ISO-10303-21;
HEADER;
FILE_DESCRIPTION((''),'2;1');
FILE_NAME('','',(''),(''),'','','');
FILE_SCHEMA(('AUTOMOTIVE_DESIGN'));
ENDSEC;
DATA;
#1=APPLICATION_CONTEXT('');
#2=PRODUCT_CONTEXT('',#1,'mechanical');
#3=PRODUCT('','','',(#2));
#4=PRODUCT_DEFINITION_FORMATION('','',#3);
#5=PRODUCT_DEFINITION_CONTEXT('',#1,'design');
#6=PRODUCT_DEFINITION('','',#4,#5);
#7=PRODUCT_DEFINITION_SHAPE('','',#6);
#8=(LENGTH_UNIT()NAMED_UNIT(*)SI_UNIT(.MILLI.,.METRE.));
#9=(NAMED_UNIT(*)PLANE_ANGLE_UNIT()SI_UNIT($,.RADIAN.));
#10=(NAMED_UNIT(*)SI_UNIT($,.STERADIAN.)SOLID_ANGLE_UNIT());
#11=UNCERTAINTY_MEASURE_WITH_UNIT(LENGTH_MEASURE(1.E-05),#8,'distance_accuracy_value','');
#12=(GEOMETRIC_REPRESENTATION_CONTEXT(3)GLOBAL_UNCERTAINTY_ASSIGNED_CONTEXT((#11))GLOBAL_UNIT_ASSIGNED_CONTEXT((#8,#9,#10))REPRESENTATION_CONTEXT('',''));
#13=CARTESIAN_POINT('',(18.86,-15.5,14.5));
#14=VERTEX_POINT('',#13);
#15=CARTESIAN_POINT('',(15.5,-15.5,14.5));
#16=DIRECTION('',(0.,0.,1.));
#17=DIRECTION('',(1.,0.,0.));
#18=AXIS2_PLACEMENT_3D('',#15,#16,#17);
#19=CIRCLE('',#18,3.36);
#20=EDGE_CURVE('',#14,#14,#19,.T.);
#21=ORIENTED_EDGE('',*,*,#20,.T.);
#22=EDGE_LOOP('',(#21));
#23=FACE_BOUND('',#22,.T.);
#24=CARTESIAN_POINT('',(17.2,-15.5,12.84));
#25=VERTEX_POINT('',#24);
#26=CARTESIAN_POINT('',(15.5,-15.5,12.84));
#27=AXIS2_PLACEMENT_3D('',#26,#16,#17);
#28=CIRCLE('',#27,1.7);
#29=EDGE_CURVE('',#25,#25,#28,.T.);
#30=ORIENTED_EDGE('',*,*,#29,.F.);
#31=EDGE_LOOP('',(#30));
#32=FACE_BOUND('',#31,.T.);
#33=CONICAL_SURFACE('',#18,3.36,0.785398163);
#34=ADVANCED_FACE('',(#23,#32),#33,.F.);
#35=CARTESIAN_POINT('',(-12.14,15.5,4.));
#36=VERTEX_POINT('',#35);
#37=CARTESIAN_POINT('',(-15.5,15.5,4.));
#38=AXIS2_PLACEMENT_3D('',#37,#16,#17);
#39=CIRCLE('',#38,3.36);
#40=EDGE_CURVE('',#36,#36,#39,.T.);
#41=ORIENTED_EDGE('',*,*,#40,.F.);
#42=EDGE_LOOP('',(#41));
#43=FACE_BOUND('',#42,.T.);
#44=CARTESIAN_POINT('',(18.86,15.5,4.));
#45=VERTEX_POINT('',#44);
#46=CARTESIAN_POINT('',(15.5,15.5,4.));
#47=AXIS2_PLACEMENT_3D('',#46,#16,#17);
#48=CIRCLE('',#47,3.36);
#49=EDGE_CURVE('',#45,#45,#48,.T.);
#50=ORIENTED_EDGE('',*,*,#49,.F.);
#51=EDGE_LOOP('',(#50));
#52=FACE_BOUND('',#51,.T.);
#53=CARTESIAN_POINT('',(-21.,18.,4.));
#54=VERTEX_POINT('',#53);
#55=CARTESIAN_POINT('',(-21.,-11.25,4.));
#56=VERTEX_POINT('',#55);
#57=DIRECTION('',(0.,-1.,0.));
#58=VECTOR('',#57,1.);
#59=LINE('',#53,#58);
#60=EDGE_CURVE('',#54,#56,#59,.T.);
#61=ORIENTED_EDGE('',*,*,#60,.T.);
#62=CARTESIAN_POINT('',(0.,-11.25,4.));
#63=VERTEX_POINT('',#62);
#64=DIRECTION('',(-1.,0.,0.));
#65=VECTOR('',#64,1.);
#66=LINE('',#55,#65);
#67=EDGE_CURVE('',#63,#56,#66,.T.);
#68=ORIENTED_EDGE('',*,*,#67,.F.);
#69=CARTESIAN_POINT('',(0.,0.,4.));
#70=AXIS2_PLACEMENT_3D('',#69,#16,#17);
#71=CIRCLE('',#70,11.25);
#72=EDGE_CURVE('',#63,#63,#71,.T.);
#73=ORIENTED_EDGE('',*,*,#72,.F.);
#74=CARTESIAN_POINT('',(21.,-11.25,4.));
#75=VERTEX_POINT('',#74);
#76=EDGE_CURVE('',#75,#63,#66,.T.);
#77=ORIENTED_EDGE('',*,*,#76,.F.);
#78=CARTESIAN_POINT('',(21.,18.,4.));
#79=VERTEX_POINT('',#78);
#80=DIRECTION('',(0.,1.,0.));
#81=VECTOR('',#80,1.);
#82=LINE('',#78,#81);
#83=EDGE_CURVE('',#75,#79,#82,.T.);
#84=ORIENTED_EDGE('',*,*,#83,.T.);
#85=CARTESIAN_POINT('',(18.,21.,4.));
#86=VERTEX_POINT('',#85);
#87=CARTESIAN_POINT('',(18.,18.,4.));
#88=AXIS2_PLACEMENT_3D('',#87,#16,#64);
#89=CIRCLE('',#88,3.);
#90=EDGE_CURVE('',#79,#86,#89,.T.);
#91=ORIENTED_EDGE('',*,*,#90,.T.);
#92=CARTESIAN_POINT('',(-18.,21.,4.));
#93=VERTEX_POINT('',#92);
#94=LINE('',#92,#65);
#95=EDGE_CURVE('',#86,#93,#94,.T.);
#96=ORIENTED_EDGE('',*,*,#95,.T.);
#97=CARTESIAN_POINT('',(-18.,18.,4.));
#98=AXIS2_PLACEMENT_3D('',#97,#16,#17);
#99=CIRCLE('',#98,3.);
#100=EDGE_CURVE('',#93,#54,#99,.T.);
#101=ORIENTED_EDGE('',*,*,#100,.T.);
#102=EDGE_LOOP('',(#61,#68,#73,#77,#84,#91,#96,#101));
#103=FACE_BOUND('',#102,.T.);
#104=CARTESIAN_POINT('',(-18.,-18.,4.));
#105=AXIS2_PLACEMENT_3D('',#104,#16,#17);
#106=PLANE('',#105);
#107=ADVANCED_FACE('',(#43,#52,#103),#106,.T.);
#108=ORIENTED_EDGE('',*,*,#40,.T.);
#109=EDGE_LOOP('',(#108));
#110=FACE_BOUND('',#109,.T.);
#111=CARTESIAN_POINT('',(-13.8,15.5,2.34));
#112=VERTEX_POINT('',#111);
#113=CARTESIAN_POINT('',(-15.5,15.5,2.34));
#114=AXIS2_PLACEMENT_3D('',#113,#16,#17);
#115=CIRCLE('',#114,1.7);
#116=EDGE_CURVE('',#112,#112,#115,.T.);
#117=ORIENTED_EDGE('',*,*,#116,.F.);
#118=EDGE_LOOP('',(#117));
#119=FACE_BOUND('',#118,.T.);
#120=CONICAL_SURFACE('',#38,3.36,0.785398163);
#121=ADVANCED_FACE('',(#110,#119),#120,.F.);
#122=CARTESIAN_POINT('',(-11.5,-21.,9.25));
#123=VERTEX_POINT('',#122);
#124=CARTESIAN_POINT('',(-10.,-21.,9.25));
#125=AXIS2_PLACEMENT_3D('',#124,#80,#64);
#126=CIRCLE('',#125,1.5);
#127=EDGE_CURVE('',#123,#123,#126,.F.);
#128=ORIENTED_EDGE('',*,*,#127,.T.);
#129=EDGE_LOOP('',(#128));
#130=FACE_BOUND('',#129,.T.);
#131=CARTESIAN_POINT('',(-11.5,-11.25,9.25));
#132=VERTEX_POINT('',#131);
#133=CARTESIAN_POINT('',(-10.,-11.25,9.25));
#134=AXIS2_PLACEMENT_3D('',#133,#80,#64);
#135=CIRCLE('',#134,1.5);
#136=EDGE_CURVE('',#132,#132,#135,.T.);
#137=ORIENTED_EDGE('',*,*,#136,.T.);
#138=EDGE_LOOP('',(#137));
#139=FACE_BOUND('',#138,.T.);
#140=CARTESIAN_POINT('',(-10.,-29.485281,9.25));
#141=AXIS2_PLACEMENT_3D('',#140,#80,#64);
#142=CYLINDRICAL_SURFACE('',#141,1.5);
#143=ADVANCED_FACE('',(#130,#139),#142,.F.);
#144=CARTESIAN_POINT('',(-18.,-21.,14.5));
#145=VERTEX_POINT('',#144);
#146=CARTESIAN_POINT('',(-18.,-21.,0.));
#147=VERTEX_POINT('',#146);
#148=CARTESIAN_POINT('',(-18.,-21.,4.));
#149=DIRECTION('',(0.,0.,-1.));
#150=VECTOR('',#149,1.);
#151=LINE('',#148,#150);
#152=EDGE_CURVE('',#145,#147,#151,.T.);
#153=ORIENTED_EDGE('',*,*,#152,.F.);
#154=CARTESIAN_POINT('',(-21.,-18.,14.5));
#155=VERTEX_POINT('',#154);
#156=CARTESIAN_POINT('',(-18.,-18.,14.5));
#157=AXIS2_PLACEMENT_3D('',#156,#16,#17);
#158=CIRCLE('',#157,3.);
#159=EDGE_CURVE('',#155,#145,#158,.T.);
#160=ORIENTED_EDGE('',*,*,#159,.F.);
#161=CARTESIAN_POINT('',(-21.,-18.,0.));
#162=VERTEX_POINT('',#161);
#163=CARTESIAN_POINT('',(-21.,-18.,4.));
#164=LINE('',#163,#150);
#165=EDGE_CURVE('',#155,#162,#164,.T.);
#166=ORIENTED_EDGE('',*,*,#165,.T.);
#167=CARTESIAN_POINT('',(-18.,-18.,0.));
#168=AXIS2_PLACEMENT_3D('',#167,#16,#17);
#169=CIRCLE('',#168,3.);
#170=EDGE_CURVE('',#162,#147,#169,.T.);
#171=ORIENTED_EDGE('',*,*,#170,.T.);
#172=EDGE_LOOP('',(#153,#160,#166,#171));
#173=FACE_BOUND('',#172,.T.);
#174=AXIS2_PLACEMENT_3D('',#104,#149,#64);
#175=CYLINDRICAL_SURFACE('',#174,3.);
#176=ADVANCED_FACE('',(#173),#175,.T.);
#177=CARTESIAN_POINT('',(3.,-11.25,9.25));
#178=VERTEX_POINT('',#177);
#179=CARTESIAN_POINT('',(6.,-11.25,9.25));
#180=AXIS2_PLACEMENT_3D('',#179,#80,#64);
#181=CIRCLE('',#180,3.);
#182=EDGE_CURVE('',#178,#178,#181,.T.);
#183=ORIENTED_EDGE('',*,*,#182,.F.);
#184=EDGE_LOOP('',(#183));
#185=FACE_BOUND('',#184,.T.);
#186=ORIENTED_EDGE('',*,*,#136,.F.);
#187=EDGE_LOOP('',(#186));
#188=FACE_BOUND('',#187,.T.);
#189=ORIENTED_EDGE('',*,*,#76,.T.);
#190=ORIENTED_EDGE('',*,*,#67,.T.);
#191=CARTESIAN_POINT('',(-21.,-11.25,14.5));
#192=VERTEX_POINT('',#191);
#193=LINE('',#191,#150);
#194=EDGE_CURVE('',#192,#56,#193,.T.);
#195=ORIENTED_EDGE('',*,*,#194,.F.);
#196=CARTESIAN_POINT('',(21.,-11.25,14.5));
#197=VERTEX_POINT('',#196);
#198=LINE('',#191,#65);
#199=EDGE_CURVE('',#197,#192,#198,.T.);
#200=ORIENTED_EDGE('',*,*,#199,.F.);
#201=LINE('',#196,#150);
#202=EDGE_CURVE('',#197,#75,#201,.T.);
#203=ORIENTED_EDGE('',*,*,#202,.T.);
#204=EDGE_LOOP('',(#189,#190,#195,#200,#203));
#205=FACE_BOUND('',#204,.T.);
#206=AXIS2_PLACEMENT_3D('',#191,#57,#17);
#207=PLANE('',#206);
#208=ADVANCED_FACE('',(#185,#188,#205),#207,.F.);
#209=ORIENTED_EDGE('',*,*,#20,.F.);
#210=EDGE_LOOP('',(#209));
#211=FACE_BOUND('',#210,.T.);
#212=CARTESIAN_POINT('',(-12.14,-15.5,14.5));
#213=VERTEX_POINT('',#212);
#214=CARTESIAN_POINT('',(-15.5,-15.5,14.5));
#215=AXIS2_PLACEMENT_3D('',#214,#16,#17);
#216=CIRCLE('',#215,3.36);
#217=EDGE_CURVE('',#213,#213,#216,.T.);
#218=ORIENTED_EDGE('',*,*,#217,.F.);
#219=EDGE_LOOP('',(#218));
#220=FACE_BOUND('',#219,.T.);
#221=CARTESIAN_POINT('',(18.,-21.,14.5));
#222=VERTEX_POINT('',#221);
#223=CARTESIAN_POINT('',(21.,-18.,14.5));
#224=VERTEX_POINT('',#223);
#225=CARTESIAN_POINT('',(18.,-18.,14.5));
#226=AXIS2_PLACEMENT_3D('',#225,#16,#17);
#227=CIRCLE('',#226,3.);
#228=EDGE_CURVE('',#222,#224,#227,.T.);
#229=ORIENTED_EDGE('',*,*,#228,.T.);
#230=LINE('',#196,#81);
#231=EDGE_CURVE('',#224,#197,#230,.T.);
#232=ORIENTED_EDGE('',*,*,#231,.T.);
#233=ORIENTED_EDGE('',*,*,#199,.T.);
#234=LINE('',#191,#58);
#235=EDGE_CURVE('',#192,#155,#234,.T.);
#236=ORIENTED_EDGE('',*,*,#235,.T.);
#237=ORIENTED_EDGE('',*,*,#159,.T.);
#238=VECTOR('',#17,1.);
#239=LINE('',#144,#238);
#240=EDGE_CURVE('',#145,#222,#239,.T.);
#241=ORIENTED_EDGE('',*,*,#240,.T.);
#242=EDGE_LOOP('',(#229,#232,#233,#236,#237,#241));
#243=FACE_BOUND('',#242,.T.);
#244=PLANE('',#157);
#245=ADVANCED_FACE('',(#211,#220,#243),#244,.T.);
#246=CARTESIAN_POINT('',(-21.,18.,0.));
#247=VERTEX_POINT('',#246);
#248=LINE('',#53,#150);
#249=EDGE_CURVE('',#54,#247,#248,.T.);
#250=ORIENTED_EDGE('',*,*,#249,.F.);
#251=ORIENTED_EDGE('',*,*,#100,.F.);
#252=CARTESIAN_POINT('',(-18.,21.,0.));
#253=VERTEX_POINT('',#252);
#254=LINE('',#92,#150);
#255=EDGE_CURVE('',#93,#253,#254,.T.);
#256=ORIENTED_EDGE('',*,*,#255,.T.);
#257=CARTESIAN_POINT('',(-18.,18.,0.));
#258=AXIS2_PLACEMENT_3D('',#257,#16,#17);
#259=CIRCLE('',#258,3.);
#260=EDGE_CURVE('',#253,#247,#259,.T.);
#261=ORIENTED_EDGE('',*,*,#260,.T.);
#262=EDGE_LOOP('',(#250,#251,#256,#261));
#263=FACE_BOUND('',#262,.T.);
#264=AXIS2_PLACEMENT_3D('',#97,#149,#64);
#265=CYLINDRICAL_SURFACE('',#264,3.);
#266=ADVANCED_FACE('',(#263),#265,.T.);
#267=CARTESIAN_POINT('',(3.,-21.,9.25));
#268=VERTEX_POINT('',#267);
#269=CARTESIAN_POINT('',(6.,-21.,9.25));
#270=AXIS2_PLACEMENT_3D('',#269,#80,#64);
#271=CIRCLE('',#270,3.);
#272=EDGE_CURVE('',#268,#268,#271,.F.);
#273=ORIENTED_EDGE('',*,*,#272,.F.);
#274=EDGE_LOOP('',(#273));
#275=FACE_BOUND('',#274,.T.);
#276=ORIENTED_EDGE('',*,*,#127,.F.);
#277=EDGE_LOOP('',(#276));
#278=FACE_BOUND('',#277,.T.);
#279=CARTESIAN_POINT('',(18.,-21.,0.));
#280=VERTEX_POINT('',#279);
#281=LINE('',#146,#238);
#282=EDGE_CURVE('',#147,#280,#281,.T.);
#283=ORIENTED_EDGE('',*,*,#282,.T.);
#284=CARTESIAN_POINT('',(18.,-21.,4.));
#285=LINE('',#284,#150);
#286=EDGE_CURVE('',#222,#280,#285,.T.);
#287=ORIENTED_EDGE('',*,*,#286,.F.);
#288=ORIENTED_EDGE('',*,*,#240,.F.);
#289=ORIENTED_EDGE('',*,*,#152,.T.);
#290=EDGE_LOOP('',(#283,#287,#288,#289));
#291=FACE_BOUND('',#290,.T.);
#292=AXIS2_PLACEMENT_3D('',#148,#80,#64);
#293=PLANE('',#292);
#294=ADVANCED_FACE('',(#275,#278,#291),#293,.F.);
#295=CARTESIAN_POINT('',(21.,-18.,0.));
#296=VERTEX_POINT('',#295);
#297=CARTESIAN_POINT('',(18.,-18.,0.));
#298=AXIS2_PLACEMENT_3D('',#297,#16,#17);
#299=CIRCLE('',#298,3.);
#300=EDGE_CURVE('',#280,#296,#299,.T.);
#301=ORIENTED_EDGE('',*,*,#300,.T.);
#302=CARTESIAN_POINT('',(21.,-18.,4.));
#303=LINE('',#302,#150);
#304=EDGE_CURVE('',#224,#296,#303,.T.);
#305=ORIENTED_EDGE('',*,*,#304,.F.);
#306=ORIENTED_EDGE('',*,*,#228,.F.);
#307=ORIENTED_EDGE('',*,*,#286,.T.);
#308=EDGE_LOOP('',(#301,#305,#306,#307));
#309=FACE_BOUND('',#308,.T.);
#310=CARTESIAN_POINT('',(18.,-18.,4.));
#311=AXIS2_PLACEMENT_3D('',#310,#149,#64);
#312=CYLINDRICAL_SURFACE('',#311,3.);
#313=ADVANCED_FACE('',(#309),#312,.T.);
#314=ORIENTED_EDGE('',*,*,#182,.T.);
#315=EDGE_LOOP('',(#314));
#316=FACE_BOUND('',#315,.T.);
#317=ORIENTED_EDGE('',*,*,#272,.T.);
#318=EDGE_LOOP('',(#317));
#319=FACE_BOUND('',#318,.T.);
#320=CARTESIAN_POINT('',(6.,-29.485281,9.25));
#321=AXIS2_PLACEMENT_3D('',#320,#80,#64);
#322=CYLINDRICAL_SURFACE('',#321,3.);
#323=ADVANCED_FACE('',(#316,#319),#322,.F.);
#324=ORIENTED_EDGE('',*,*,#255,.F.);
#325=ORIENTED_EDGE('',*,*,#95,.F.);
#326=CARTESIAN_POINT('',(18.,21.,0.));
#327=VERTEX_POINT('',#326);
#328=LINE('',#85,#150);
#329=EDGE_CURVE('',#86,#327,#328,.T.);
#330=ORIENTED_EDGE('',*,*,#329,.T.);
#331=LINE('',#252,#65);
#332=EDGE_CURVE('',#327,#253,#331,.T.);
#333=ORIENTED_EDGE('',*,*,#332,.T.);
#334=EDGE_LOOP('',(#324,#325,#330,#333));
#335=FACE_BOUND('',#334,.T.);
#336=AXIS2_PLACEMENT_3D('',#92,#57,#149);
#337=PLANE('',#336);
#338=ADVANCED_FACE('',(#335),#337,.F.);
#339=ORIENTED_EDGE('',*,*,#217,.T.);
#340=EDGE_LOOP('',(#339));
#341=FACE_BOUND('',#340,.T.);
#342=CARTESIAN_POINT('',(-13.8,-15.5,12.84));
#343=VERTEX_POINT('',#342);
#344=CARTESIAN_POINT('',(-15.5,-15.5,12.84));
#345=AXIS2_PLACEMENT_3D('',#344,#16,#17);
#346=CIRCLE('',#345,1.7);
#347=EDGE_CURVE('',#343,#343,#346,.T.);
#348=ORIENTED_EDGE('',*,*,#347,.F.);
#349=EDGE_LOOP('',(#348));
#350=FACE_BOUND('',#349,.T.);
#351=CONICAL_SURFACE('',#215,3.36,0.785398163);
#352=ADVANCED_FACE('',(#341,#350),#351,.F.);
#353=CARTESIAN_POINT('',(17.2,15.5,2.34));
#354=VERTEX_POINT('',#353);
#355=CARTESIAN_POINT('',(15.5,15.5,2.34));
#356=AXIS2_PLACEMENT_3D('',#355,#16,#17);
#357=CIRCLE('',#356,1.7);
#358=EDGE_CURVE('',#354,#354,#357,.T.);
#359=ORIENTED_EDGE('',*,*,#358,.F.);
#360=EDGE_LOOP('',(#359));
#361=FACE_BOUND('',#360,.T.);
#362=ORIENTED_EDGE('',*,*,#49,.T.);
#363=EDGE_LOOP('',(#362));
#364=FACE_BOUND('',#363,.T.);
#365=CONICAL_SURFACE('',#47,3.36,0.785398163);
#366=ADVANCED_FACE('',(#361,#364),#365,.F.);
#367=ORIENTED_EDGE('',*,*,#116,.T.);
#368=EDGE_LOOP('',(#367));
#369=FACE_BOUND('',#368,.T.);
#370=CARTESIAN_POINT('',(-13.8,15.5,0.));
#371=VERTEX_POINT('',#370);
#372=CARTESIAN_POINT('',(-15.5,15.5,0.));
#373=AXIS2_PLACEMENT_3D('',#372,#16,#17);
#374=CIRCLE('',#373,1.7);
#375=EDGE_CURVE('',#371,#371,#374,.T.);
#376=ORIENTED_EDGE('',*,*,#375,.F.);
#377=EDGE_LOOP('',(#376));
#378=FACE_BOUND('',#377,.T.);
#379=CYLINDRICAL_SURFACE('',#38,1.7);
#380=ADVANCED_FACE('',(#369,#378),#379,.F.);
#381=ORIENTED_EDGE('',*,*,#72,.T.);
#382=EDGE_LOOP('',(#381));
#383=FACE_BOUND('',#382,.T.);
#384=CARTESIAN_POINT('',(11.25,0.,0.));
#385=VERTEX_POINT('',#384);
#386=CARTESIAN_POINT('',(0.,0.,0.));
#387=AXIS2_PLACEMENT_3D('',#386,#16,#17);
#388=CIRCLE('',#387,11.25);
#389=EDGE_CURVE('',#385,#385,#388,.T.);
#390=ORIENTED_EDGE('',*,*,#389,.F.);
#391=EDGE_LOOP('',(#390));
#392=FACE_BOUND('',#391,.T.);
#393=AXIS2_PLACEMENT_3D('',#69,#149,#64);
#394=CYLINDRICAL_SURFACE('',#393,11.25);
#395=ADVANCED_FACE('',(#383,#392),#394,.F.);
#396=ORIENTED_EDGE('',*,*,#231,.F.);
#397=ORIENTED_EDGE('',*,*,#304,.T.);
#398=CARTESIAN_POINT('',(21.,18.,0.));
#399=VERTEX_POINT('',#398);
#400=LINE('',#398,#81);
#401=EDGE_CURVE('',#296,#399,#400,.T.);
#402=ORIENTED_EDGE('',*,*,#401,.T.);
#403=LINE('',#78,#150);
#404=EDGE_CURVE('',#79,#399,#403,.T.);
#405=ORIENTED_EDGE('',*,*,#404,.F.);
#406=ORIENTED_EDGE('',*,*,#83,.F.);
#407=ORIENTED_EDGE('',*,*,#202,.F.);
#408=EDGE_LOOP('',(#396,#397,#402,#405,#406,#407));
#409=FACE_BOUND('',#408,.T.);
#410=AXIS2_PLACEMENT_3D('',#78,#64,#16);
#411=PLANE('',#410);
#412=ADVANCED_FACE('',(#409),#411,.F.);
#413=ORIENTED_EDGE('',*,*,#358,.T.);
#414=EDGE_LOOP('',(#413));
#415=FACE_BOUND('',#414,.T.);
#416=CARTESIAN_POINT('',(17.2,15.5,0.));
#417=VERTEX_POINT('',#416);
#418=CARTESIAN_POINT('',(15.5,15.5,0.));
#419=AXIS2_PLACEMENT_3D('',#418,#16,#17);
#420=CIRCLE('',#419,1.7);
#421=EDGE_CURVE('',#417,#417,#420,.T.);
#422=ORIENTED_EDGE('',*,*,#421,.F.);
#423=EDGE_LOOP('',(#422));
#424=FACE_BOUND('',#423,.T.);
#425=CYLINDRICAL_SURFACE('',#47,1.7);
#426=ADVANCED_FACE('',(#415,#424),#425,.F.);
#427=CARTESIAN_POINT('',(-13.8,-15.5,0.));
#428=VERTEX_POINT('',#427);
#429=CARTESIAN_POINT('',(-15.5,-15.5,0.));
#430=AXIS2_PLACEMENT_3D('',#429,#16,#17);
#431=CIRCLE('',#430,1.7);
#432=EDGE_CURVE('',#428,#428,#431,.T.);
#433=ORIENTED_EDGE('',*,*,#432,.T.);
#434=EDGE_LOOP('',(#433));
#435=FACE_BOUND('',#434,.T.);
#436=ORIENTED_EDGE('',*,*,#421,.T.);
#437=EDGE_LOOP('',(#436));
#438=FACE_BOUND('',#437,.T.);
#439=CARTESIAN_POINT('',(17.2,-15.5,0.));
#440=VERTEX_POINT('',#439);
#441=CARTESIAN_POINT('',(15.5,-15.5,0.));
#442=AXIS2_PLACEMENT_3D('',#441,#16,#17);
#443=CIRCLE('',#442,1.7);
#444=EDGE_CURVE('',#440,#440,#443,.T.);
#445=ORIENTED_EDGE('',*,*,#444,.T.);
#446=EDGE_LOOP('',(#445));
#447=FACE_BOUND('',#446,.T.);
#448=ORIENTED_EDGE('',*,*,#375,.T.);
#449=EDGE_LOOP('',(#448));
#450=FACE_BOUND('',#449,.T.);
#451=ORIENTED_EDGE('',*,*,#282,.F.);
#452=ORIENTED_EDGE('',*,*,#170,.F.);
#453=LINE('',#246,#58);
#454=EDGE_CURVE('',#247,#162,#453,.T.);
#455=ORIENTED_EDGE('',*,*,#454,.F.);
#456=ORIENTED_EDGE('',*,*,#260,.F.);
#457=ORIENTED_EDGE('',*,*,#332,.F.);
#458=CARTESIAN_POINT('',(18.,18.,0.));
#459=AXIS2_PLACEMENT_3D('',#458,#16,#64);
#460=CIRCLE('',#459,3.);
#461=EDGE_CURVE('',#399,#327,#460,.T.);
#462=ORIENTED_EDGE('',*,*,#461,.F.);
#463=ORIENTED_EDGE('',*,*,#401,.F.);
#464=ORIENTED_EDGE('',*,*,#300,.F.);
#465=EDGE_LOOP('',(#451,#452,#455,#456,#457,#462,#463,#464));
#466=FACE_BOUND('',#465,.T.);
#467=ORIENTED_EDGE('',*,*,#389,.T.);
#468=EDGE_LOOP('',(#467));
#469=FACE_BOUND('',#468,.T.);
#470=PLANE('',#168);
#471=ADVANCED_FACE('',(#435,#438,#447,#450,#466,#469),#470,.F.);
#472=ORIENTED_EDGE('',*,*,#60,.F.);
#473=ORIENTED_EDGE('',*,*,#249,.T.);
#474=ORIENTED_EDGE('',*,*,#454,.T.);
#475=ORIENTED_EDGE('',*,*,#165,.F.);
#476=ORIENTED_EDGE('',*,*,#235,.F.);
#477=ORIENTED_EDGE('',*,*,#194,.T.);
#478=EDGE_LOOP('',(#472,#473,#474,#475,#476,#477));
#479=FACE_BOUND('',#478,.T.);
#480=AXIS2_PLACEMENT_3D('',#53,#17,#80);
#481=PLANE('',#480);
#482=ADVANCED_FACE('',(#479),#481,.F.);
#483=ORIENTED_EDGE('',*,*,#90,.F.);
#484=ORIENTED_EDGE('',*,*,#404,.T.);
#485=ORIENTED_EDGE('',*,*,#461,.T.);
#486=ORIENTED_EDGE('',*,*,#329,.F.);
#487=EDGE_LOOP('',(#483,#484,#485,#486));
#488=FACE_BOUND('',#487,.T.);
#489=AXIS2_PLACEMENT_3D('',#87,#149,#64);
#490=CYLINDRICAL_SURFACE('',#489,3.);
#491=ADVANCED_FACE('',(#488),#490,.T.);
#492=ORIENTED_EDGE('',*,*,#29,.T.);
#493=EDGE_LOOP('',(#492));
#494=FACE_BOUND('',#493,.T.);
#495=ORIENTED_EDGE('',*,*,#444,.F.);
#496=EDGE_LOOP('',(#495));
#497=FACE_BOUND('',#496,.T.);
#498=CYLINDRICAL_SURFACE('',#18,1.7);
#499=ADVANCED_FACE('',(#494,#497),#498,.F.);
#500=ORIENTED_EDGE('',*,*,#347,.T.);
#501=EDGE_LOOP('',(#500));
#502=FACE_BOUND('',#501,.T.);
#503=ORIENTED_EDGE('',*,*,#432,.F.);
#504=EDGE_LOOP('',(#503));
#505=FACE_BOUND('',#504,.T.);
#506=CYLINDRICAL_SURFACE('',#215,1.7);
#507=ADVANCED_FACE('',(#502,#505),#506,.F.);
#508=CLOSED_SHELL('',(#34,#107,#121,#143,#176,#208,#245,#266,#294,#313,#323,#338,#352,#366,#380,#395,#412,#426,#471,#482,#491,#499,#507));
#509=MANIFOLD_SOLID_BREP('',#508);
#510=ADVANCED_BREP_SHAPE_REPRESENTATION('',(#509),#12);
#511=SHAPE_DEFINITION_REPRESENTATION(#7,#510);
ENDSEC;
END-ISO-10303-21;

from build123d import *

# Parameters (mm, degrees)
CROQUIS1_R                                           = 1
CROQUIS1_R_2                                         = 11.25
SALIENTE_EXTRUIR1_DEPTH                              = 4
CROQUIS2_R                                           = 1
SALIENTE_EXTRUIR2_DEPTH                              = 10.5
CROQUIS3_R                                           = 3
CROQUIS3_R_2                                         = 1.5
CORTAR_EXTRUIR1_DEPTH                                = 9.75
REFRENTADO_PARA_TORNILLO_TAP_N_CON_CABEZ_D           = 3.4
REFRENTADO_PARA_TORNILLO_TAP_N_CON_CABEZ_CSINK_D     = 6.72
REFRENTADO_PARA_TORNILLO_TAP_N_CON_CABEZ_CSINK_ANGLE = 90
REFRENTADO_PARA_TORNILLO_TAP_N_CON_C_2_D             = 3.4
REFRENTADO_PARA_TORNILLO_TAP_N_CON_C_2_CSINK_D       = 6.72
REFRENTADO_PARA_TORNILLO_TAP_N_CON_C_2_CSINK_ANGLE   = 90


with BuildPart() as part:
    # Croquis1 → Saliente-Extruir1 (new body)
    with BuildSketch(Plane.XY):
        with BuildLine():
            Line((-18, 21), (18, 21))
            ThreePointArc((18, 21), (20.121320344, 20.121320344), (21, 18))
            Line((21, 18), (21, -18))
            ThreePointArc((21, -18), (20.121320344, -20.121320344), (18, -21))
            Line((18, -21), (-18, -21))
            ThreePointArc((-18, -21), (-20.121320344, -20.121320344), (-21, -18))
            Line((-21, -18), (-21, 18))
            ThreePointArc((-21, 18), (-20.121320344, 20.121320344), (-18, 21))
        make_face()
        with Locations((-15.5, 15.5)):
            Circle(CROQUIS1_R, mode=Mode.SUBTRACT)
        with Locations((15.5, 15.5)):
            Circle(CROQUIS1_R, mode=Mode.SUBTRACT)
        with Locations((15.5, -15.5)):
            Circle(CROQUIS1_R, mode=Mode.SUBTRACT)
        with Locations((-15.5, -15.5)):
            Circle(CROQUIS1_R, mode=Mode.SUBTRACT)
        Circle(CROQUIS1_R_2, mode=Mode.SUBTRACT)
    extrude(amount=SALIENTE_EXTRUIR1_DEPTH)

    # Croquis2 → Saliente-Extruir2 (add)
    with BuildSketch(Plane.XY.offset(4)):
        with BuildLine():
            Line((-21, -11.25), (21, -11.25))
            Line((21, -11.25), (21, -18))
            ThreePointArc((21, -18), (20.121320344, -20.121320344), (18, -21))
            Line((18, -21), (-18, -21))
            ThreePointArc((-18, -21), (-20.121320344, -20.121320344), (-21, -18))
            Line((-21, -18), (-21, -11.25))
        make_face()
        with Locations((15.5, -15.5)):
            Circle(CROQUIS2_R, mode=Mode.SUBTRACT)
        with Locations((-15.5, -15.5)):
            Circle(CROQUIS2_R, mode=Mode.SUBTRACT)
    extrude(amount=SALIENTE_EXTRUIR2_DEPTH)

    # Croquis3 → Cortar-Extruir1 (cut)
    with BuildSketch(Plane(origin=(0, -11.25, 0), x_dir=(1, 0, 0), z_dir=(0, 1, 0))):
        with Locations(Location((6, -9.25, 0), (0, 0, 180))):
            Circle(CROQUIS3_R)
        with Locations(Location((-10, -9.25, 0), (0, 0, 180))):
            Circle(CROQUIS3_R_2)
    extrude(amount=-CORTAR_EXTRUIR1_DEPTH, mode=Mode.SUBTRACT)

    # Refrentado para tornillo tap_n con cabez (through all)
    with Locations(Plane.XY.offset(4)):
        with Locations((-15.5, 15.5), (15.5, 15.5)):
            CounterSinkHole(REFRENTADO_PARA_TORNILLO_TAP_N_CON_CABEZ_D / 2, REFRENTADO_PARA_TORNILLO_TAP_N_CON_CABEZ_CSINK_D / 2, counter_sink_angle=REFRENTADO_PARA_TORNILLO_TAP_N_CON_CABEZ_CSINK_ANGLE)

    # Refrentado para tornillo tap_n con c 2 (through all)
    with Locations(Plane.XY.offset(14.5)):
        with Locations((-15.5, -15.5), (15.5, -15.5)):
            CounterSinkHole(REFRENTADO_PARA_TORNILLO_TAP_N_CON_C_2_D / 2, REFRENTADO_PARA_TORNILLO_TAP_N_CON_C_2_CSINK_D / 2, counter_sink_angle=REFRENTADO_PARA_TORNILLO_TAP_N_CON_C_2_CSINK_ANGLE)


solid = part.part
